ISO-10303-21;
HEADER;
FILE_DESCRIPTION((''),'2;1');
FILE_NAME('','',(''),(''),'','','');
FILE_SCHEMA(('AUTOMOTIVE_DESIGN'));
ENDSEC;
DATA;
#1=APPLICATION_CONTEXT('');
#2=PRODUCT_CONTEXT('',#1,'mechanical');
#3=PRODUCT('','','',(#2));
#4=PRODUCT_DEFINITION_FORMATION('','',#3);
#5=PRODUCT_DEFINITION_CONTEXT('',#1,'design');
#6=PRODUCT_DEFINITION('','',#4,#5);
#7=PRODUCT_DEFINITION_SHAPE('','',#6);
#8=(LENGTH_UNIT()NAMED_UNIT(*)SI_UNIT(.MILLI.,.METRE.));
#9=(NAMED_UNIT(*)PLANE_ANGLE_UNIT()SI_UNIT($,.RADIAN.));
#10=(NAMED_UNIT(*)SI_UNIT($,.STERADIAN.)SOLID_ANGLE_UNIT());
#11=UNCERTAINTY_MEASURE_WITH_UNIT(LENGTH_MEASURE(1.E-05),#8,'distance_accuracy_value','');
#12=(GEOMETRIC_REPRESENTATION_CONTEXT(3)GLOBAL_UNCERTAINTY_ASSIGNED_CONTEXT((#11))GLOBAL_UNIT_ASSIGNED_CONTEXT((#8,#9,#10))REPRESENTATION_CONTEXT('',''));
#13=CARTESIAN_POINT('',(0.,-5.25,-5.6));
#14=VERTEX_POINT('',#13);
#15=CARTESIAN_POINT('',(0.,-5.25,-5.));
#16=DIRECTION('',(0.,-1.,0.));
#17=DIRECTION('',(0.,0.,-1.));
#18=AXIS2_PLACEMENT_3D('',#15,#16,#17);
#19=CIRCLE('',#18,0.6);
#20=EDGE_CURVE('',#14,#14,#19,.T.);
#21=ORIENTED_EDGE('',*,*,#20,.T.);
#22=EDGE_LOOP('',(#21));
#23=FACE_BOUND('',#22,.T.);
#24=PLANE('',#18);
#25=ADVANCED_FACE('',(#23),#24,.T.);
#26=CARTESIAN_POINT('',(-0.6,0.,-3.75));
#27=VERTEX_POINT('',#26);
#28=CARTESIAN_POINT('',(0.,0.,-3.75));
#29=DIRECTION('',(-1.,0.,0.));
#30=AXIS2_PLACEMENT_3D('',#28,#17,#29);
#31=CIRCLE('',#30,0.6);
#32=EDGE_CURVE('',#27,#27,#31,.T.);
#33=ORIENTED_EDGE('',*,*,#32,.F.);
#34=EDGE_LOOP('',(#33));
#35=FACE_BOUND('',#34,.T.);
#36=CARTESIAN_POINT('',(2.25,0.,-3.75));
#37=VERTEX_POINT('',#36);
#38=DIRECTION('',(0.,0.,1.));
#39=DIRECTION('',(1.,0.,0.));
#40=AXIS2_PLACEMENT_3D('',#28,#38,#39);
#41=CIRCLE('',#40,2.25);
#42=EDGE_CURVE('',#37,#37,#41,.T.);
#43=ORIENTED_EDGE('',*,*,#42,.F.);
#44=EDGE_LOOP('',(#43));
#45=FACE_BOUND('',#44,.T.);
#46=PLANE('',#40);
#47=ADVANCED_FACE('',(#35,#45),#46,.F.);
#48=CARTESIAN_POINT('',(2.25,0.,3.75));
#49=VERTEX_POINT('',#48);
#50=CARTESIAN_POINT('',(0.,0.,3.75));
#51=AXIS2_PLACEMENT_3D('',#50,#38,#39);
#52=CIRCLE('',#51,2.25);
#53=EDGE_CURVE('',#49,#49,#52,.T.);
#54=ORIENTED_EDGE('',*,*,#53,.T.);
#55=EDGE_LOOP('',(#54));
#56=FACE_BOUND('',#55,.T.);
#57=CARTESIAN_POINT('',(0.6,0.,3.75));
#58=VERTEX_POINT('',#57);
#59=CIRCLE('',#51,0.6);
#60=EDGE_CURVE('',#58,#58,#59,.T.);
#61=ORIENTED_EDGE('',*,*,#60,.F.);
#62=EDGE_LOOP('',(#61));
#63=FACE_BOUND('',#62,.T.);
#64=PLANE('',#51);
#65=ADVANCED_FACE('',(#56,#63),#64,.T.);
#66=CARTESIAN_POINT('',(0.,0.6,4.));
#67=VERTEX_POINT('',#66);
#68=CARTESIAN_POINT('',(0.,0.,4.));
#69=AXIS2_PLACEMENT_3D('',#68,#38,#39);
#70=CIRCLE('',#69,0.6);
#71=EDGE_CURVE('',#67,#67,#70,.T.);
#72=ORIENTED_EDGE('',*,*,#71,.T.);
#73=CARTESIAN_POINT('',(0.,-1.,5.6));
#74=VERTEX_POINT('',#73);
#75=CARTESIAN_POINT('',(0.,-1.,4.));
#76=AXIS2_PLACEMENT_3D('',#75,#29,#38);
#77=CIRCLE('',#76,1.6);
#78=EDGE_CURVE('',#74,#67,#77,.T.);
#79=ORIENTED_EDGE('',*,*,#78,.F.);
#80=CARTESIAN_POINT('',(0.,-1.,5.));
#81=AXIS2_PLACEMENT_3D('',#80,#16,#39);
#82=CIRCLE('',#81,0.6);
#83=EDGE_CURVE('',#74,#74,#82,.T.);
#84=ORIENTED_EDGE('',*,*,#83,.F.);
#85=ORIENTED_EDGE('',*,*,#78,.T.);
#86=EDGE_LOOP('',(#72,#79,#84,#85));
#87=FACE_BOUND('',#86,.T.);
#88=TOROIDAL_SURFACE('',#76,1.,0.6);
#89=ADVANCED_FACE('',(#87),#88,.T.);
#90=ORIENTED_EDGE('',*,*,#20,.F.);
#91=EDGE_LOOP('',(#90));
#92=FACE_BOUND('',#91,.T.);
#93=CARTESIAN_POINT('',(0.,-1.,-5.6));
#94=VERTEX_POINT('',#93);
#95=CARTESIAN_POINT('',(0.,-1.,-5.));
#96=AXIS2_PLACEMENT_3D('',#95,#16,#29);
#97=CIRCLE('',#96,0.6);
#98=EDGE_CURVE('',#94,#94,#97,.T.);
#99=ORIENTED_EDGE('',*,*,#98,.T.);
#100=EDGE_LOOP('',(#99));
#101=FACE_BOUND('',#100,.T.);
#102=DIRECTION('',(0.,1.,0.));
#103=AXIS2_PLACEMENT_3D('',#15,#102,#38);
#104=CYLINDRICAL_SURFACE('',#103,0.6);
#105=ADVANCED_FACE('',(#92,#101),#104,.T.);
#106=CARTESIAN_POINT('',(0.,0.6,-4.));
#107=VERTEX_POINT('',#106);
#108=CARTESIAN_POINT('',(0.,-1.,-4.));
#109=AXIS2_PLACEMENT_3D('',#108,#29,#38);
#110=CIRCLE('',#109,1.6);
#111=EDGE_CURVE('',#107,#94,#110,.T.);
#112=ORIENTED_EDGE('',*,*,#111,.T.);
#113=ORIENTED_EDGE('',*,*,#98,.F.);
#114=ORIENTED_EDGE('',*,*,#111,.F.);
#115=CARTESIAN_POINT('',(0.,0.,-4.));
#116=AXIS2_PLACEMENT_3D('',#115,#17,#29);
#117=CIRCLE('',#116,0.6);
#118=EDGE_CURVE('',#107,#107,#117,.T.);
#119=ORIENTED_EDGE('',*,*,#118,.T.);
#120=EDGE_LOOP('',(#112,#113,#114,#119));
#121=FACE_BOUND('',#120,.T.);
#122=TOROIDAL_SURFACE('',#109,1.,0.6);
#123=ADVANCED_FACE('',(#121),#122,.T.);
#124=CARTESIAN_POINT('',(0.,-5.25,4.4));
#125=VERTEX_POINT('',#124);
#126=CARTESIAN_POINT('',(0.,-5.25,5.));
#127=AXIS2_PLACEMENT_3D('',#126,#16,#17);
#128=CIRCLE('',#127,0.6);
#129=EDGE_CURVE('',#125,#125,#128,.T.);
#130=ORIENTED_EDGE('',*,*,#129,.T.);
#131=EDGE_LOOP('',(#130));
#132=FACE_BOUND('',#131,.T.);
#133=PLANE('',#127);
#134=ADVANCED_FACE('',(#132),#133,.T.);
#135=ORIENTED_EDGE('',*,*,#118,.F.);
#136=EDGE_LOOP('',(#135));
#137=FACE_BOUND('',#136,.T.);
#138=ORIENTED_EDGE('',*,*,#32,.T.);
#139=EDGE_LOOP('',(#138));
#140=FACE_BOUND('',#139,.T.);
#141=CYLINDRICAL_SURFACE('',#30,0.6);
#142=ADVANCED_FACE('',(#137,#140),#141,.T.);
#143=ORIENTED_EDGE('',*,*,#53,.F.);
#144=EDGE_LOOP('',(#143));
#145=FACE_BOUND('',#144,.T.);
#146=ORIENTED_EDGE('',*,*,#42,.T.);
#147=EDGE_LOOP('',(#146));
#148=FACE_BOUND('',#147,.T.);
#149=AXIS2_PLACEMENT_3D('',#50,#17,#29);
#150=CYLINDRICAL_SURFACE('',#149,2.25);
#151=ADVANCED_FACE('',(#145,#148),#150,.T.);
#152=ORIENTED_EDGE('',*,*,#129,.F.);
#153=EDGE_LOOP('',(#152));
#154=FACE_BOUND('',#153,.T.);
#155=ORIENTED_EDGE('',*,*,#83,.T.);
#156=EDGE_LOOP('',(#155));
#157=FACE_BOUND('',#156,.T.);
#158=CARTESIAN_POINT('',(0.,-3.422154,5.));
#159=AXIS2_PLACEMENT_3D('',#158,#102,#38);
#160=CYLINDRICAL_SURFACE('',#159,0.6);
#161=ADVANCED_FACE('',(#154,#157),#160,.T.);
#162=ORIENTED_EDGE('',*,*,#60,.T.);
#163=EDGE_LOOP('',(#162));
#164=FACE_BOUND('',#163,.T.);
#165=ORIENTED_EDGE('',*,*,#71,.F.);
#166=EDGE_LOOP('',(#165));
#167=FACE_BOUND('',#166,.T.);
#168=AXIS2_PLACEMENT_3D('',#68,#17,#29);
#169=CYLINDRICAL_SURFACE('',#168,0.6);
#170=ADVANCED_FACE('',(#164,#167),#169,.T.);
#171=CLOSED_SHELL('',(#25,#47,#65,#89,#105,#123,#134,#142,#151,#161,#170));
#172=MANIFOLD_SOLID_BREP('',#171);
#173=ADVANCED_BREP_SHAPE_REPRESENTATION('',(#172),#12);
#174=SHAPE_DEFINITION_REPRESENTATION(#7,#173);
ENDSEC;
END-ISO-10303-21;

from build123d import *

# Parameters (mm, degrees)
SKETCH_1_R        = 2.25
EXTRUDE_1_DEPTH   = 3.75
SKETCH_4_R        = 0.6
EXTRUDE_2_DEPTH   = 3
EXTRUDE_2_2_DEPTH = 3
SKETCH_2_R        = 0.6
SKETCH_7_R        = 0.6


with BuildPart() as part:
    # Эскиз1 → Бобышка-Вытянуть1 (new, symmetric)
    with BuildSketch(Plane.XY):
        Circle(SKETCH_1_R)
    extrude(amount=EXTRUDE_1_DEPTH, both=True)



with BuildPart() as body_2:
    # Эскиз4 → Бобышка-Вытянуть2 (new body)
    with BuildSketch(Plane(origin=(0, -2.25, 0), x_dir=(-1, 0, 0), z_dir=(0, -1, 0))):
        with Locations(Location((0, -5, 0), (0, 0, 90))):
            Circle(SKETCH_4_R)
    extrude(amount=EXTRUDE_2_DEPTH)


with BuildPart() as body_3:
    # Эскиз4 → Extrude 2 2 (new body)
    with BuildSketch(Plane(origin=(0, -2.25, 0), x_dir=(-1, 0, 0), z_dir=(0, -1, 0))):
        with Locations(Location((0, 5, 0), (0, 0, 90))):
            Circle(SKETCH_4_R)
    extrude(amount=EXTRUDE_2_2_DEPTH)


with BuildPart() as part_1:
    add(part.part)

    add(body_2.part)  # По траектории2 merges body 2
    # По траектории2: sweep along a path in Эскиз5
    with BuildLine(Plane(origin=(0, 0, 0), x_dir=(0, 0, -1), z_dir=(1, 0, 0))) as sweep_2_path:
        Line((-3.75, 0), (-4, 0))
        ThreePointArc((-4, 0), (-4.707106781, -0.292893219), (-5, -1))
        Line((-5, -1), (-5, -3.422153909))
    # Эскиз2 → По траектории2 (sweep)
    with BuildSketch(Plane.XY.offset(3.75)):
        Circle(SKETCH_2_R)
    sweep(path=sweep_2_path.line)


    add(body_3.part)  # По траектории3 merges body 3
    # По траектории3: sweep along a path in Эскиз6
    with BuildLine(Plane(origin=(0, 0, 0), x_dir=(0, 0, -1), z_dir=(1, 0, 0))) as sweep_3_path:
        Line((3.75, 0), (4, 0))
        ThreePointArc((4, 0), (4.707106781, -0.292893219), (5, -1))
        Line((5, -1), (5, -3.141146962))
    # Эскиз7 → По траектории3 (sweep)
    with BuildSketch(Plane(origin=(0, 0, -3.75), x_dir=(-1, 0, 0), z_dir=(0, 0, -1))):
        Circle(SKETCH_7_R)
    sweep(path=sweep_3_path.line)


solid = part_1.part
